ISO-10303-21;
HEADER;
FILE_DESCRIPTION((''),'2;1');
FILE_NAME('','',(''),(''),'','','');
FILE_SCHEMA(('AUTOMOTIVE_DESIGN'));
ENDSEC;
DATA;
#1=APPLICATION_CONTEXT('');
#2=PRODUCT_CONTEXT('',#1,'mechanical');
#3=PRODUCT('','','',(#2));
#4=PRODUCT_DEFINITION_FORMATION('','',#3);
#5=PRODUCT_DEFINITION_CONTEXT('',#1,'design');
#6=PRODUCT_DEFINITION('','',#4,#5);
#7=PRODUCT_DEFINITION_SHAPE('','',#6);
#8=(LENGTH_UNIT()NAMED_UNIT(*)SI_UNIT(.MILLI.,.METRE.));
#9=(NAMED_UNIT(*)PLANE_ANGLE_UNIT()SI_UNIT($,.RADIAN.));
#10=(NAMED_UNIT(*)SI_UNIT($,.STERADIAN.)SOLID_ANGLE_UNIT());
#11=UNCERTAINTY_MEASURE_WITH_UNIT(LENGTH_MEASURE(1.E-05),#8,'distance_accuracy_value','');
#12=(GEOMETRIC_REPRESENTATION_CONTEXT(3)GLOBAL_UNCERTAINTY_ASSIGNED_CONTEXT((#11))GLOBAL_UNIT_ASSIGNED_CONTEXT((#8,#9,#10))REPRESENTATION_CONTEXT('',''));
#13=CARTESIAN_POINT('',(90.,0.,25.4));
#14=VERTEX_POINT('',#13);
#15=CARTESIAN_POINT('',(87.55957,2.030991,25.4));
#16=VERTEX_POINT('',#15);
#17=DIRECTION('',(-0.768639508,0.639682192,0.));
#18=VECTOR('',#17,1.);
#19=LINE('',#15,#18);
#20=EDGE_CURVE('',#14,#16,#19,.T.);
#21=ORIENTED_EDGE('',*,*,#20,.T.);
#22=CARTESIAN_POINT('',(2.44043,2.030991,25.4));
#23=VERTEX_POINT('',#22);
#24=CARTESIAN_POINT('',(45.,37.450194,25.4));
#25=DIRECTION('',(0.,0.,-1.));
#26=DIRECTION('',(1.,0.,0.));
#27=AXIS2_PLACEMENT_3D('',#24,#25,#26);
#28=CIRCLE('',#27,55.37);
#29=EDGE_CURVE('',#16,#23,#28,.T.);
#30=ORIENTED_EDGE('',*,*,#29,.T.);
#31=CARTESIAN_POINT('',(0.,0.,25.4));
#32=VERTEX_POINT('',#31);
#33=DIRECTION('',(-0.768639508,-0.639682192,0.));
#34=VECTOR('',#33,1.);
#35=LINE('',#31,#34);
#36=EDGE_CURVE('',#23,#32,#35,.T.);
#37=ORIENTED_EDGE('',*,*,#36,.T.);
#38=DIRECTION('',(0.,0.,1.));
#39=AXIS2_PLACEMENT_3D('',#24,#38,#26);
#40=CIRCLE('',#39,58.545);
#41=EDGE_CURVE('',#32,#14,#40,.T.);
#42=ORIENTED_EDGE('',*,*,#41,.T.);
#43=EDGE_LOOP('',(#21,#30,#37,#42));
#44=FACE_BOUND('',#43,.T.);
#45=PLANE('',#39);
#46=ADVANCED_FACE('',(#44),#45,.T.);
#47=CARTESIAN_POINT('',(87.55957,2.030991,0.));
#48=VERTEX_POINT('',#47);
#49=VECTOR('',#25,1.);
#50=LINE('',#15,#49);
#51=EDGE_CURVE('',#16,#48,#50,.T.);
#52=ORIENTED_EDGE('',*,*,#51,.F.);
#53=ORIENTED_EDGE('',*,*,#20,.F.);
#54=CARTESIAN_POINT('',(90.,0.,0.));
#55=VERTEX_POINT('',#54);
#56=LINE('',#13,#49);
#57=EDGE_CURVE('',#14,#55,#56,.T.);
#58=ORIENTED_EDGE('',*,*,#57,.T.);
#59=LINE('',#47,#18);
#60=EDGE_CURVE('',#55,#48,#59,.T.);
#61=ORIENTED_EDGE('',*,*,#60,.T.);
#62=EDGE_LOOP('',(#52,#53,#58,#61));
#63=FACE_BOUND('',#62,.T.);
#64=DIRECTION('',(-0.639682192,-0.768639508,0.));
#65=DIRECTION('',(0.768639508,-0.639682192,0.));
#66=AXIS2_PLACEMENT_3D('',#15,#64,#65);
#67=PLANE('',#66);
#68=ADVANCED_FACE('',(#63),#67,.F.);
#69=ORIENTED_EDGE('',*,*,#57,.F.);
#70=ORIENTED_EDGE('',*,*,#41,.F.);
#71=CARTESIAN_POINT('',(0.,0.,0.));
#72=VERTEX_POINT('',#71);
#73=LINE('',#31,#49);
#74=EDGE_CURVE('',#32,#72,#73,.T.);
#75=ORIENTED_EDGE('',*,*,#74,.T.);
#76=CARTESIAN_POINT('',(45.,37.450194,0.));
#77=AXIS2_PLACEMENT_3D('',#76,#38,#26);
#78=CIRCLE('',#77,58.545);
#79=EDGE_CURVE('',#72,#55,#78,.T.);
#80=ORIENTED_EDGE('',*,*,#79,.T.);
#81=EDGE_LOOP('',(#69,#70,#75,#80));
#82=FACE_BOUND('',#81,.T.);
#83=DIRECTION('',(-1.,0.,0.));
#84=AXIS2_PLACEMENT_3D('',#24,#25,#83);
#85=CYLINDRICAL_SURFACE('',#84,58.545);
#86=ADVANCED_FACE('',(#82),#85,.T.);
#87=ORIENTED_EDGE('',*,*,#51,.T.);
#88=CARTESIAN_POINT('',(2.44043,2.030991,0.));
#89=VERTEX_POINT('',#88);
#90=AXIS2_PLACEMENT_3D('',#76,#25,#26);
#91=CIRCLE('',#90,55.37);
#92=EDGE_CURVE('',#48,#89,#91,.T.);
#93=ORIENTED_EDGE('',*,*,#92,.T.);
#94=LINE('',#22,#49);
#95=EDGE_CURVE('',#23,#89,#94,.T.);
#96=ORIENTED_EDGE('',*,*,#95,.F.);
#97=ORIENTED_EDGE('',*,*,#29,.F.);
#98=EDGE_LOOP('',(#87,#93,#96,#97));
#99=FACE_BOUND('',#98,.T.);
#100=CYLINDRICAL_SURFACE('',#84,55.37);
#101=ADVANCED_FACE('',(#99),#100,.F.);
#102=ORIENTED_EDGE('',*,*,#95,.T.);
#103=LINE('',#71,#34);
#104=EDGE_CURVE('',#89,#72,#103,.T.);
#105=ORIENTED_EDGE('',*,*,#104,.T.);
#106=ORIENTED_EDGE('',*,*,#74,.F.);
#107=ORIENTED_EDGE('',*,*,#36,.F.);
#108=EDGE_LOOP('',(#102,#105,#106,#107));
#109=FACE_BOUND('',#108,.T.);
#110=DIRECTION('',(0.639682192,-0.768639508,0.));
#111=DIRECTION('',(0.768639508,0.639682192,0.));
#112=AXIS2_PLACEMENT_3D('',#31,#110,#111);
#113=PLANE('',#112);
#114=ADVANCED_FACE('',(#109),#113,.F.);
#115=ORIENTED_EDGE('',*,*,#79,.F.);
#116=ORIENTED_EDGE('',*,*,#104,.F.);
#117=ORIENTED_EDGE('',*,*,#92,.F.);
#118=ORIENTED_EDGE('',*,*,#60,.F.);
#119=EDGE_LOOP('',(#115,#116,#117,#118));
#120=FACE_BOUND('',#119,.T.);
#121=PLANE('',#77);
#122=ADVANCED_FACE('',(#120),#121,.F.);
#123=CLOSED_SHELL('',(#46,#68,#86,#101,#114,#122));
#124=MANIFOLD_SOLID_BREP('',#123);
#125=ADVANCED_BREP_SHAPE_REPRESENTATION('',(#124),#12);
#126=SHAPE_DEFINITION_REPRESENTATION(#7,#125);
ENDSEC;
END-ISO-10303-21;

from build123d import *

# Parameters (mm, degrees)
BOSS_EXTRUDE1_DEPTH = 25.4


with BuildPart() as part:
    # Sketch1 → Boss-Extrude1 (new body)
    with BuildSketch(Plane.XY):
        with BuildLine():
            Line((0, 0), (2.440430438, 2.030990959))
            ThreePointArc((2.440430438, 2.030990959), (45, -17.919806075), (87.559569562, 2.030990959))
            Line((87.559569562, 2.030990959), (90, 0))
            ThreePointArc((90, 0), (45, -21.094806075), (0, 0))
        make_face()
    extrude(amount=BOSS_EXTRUDE1_DEPTH)


solid = part.part
